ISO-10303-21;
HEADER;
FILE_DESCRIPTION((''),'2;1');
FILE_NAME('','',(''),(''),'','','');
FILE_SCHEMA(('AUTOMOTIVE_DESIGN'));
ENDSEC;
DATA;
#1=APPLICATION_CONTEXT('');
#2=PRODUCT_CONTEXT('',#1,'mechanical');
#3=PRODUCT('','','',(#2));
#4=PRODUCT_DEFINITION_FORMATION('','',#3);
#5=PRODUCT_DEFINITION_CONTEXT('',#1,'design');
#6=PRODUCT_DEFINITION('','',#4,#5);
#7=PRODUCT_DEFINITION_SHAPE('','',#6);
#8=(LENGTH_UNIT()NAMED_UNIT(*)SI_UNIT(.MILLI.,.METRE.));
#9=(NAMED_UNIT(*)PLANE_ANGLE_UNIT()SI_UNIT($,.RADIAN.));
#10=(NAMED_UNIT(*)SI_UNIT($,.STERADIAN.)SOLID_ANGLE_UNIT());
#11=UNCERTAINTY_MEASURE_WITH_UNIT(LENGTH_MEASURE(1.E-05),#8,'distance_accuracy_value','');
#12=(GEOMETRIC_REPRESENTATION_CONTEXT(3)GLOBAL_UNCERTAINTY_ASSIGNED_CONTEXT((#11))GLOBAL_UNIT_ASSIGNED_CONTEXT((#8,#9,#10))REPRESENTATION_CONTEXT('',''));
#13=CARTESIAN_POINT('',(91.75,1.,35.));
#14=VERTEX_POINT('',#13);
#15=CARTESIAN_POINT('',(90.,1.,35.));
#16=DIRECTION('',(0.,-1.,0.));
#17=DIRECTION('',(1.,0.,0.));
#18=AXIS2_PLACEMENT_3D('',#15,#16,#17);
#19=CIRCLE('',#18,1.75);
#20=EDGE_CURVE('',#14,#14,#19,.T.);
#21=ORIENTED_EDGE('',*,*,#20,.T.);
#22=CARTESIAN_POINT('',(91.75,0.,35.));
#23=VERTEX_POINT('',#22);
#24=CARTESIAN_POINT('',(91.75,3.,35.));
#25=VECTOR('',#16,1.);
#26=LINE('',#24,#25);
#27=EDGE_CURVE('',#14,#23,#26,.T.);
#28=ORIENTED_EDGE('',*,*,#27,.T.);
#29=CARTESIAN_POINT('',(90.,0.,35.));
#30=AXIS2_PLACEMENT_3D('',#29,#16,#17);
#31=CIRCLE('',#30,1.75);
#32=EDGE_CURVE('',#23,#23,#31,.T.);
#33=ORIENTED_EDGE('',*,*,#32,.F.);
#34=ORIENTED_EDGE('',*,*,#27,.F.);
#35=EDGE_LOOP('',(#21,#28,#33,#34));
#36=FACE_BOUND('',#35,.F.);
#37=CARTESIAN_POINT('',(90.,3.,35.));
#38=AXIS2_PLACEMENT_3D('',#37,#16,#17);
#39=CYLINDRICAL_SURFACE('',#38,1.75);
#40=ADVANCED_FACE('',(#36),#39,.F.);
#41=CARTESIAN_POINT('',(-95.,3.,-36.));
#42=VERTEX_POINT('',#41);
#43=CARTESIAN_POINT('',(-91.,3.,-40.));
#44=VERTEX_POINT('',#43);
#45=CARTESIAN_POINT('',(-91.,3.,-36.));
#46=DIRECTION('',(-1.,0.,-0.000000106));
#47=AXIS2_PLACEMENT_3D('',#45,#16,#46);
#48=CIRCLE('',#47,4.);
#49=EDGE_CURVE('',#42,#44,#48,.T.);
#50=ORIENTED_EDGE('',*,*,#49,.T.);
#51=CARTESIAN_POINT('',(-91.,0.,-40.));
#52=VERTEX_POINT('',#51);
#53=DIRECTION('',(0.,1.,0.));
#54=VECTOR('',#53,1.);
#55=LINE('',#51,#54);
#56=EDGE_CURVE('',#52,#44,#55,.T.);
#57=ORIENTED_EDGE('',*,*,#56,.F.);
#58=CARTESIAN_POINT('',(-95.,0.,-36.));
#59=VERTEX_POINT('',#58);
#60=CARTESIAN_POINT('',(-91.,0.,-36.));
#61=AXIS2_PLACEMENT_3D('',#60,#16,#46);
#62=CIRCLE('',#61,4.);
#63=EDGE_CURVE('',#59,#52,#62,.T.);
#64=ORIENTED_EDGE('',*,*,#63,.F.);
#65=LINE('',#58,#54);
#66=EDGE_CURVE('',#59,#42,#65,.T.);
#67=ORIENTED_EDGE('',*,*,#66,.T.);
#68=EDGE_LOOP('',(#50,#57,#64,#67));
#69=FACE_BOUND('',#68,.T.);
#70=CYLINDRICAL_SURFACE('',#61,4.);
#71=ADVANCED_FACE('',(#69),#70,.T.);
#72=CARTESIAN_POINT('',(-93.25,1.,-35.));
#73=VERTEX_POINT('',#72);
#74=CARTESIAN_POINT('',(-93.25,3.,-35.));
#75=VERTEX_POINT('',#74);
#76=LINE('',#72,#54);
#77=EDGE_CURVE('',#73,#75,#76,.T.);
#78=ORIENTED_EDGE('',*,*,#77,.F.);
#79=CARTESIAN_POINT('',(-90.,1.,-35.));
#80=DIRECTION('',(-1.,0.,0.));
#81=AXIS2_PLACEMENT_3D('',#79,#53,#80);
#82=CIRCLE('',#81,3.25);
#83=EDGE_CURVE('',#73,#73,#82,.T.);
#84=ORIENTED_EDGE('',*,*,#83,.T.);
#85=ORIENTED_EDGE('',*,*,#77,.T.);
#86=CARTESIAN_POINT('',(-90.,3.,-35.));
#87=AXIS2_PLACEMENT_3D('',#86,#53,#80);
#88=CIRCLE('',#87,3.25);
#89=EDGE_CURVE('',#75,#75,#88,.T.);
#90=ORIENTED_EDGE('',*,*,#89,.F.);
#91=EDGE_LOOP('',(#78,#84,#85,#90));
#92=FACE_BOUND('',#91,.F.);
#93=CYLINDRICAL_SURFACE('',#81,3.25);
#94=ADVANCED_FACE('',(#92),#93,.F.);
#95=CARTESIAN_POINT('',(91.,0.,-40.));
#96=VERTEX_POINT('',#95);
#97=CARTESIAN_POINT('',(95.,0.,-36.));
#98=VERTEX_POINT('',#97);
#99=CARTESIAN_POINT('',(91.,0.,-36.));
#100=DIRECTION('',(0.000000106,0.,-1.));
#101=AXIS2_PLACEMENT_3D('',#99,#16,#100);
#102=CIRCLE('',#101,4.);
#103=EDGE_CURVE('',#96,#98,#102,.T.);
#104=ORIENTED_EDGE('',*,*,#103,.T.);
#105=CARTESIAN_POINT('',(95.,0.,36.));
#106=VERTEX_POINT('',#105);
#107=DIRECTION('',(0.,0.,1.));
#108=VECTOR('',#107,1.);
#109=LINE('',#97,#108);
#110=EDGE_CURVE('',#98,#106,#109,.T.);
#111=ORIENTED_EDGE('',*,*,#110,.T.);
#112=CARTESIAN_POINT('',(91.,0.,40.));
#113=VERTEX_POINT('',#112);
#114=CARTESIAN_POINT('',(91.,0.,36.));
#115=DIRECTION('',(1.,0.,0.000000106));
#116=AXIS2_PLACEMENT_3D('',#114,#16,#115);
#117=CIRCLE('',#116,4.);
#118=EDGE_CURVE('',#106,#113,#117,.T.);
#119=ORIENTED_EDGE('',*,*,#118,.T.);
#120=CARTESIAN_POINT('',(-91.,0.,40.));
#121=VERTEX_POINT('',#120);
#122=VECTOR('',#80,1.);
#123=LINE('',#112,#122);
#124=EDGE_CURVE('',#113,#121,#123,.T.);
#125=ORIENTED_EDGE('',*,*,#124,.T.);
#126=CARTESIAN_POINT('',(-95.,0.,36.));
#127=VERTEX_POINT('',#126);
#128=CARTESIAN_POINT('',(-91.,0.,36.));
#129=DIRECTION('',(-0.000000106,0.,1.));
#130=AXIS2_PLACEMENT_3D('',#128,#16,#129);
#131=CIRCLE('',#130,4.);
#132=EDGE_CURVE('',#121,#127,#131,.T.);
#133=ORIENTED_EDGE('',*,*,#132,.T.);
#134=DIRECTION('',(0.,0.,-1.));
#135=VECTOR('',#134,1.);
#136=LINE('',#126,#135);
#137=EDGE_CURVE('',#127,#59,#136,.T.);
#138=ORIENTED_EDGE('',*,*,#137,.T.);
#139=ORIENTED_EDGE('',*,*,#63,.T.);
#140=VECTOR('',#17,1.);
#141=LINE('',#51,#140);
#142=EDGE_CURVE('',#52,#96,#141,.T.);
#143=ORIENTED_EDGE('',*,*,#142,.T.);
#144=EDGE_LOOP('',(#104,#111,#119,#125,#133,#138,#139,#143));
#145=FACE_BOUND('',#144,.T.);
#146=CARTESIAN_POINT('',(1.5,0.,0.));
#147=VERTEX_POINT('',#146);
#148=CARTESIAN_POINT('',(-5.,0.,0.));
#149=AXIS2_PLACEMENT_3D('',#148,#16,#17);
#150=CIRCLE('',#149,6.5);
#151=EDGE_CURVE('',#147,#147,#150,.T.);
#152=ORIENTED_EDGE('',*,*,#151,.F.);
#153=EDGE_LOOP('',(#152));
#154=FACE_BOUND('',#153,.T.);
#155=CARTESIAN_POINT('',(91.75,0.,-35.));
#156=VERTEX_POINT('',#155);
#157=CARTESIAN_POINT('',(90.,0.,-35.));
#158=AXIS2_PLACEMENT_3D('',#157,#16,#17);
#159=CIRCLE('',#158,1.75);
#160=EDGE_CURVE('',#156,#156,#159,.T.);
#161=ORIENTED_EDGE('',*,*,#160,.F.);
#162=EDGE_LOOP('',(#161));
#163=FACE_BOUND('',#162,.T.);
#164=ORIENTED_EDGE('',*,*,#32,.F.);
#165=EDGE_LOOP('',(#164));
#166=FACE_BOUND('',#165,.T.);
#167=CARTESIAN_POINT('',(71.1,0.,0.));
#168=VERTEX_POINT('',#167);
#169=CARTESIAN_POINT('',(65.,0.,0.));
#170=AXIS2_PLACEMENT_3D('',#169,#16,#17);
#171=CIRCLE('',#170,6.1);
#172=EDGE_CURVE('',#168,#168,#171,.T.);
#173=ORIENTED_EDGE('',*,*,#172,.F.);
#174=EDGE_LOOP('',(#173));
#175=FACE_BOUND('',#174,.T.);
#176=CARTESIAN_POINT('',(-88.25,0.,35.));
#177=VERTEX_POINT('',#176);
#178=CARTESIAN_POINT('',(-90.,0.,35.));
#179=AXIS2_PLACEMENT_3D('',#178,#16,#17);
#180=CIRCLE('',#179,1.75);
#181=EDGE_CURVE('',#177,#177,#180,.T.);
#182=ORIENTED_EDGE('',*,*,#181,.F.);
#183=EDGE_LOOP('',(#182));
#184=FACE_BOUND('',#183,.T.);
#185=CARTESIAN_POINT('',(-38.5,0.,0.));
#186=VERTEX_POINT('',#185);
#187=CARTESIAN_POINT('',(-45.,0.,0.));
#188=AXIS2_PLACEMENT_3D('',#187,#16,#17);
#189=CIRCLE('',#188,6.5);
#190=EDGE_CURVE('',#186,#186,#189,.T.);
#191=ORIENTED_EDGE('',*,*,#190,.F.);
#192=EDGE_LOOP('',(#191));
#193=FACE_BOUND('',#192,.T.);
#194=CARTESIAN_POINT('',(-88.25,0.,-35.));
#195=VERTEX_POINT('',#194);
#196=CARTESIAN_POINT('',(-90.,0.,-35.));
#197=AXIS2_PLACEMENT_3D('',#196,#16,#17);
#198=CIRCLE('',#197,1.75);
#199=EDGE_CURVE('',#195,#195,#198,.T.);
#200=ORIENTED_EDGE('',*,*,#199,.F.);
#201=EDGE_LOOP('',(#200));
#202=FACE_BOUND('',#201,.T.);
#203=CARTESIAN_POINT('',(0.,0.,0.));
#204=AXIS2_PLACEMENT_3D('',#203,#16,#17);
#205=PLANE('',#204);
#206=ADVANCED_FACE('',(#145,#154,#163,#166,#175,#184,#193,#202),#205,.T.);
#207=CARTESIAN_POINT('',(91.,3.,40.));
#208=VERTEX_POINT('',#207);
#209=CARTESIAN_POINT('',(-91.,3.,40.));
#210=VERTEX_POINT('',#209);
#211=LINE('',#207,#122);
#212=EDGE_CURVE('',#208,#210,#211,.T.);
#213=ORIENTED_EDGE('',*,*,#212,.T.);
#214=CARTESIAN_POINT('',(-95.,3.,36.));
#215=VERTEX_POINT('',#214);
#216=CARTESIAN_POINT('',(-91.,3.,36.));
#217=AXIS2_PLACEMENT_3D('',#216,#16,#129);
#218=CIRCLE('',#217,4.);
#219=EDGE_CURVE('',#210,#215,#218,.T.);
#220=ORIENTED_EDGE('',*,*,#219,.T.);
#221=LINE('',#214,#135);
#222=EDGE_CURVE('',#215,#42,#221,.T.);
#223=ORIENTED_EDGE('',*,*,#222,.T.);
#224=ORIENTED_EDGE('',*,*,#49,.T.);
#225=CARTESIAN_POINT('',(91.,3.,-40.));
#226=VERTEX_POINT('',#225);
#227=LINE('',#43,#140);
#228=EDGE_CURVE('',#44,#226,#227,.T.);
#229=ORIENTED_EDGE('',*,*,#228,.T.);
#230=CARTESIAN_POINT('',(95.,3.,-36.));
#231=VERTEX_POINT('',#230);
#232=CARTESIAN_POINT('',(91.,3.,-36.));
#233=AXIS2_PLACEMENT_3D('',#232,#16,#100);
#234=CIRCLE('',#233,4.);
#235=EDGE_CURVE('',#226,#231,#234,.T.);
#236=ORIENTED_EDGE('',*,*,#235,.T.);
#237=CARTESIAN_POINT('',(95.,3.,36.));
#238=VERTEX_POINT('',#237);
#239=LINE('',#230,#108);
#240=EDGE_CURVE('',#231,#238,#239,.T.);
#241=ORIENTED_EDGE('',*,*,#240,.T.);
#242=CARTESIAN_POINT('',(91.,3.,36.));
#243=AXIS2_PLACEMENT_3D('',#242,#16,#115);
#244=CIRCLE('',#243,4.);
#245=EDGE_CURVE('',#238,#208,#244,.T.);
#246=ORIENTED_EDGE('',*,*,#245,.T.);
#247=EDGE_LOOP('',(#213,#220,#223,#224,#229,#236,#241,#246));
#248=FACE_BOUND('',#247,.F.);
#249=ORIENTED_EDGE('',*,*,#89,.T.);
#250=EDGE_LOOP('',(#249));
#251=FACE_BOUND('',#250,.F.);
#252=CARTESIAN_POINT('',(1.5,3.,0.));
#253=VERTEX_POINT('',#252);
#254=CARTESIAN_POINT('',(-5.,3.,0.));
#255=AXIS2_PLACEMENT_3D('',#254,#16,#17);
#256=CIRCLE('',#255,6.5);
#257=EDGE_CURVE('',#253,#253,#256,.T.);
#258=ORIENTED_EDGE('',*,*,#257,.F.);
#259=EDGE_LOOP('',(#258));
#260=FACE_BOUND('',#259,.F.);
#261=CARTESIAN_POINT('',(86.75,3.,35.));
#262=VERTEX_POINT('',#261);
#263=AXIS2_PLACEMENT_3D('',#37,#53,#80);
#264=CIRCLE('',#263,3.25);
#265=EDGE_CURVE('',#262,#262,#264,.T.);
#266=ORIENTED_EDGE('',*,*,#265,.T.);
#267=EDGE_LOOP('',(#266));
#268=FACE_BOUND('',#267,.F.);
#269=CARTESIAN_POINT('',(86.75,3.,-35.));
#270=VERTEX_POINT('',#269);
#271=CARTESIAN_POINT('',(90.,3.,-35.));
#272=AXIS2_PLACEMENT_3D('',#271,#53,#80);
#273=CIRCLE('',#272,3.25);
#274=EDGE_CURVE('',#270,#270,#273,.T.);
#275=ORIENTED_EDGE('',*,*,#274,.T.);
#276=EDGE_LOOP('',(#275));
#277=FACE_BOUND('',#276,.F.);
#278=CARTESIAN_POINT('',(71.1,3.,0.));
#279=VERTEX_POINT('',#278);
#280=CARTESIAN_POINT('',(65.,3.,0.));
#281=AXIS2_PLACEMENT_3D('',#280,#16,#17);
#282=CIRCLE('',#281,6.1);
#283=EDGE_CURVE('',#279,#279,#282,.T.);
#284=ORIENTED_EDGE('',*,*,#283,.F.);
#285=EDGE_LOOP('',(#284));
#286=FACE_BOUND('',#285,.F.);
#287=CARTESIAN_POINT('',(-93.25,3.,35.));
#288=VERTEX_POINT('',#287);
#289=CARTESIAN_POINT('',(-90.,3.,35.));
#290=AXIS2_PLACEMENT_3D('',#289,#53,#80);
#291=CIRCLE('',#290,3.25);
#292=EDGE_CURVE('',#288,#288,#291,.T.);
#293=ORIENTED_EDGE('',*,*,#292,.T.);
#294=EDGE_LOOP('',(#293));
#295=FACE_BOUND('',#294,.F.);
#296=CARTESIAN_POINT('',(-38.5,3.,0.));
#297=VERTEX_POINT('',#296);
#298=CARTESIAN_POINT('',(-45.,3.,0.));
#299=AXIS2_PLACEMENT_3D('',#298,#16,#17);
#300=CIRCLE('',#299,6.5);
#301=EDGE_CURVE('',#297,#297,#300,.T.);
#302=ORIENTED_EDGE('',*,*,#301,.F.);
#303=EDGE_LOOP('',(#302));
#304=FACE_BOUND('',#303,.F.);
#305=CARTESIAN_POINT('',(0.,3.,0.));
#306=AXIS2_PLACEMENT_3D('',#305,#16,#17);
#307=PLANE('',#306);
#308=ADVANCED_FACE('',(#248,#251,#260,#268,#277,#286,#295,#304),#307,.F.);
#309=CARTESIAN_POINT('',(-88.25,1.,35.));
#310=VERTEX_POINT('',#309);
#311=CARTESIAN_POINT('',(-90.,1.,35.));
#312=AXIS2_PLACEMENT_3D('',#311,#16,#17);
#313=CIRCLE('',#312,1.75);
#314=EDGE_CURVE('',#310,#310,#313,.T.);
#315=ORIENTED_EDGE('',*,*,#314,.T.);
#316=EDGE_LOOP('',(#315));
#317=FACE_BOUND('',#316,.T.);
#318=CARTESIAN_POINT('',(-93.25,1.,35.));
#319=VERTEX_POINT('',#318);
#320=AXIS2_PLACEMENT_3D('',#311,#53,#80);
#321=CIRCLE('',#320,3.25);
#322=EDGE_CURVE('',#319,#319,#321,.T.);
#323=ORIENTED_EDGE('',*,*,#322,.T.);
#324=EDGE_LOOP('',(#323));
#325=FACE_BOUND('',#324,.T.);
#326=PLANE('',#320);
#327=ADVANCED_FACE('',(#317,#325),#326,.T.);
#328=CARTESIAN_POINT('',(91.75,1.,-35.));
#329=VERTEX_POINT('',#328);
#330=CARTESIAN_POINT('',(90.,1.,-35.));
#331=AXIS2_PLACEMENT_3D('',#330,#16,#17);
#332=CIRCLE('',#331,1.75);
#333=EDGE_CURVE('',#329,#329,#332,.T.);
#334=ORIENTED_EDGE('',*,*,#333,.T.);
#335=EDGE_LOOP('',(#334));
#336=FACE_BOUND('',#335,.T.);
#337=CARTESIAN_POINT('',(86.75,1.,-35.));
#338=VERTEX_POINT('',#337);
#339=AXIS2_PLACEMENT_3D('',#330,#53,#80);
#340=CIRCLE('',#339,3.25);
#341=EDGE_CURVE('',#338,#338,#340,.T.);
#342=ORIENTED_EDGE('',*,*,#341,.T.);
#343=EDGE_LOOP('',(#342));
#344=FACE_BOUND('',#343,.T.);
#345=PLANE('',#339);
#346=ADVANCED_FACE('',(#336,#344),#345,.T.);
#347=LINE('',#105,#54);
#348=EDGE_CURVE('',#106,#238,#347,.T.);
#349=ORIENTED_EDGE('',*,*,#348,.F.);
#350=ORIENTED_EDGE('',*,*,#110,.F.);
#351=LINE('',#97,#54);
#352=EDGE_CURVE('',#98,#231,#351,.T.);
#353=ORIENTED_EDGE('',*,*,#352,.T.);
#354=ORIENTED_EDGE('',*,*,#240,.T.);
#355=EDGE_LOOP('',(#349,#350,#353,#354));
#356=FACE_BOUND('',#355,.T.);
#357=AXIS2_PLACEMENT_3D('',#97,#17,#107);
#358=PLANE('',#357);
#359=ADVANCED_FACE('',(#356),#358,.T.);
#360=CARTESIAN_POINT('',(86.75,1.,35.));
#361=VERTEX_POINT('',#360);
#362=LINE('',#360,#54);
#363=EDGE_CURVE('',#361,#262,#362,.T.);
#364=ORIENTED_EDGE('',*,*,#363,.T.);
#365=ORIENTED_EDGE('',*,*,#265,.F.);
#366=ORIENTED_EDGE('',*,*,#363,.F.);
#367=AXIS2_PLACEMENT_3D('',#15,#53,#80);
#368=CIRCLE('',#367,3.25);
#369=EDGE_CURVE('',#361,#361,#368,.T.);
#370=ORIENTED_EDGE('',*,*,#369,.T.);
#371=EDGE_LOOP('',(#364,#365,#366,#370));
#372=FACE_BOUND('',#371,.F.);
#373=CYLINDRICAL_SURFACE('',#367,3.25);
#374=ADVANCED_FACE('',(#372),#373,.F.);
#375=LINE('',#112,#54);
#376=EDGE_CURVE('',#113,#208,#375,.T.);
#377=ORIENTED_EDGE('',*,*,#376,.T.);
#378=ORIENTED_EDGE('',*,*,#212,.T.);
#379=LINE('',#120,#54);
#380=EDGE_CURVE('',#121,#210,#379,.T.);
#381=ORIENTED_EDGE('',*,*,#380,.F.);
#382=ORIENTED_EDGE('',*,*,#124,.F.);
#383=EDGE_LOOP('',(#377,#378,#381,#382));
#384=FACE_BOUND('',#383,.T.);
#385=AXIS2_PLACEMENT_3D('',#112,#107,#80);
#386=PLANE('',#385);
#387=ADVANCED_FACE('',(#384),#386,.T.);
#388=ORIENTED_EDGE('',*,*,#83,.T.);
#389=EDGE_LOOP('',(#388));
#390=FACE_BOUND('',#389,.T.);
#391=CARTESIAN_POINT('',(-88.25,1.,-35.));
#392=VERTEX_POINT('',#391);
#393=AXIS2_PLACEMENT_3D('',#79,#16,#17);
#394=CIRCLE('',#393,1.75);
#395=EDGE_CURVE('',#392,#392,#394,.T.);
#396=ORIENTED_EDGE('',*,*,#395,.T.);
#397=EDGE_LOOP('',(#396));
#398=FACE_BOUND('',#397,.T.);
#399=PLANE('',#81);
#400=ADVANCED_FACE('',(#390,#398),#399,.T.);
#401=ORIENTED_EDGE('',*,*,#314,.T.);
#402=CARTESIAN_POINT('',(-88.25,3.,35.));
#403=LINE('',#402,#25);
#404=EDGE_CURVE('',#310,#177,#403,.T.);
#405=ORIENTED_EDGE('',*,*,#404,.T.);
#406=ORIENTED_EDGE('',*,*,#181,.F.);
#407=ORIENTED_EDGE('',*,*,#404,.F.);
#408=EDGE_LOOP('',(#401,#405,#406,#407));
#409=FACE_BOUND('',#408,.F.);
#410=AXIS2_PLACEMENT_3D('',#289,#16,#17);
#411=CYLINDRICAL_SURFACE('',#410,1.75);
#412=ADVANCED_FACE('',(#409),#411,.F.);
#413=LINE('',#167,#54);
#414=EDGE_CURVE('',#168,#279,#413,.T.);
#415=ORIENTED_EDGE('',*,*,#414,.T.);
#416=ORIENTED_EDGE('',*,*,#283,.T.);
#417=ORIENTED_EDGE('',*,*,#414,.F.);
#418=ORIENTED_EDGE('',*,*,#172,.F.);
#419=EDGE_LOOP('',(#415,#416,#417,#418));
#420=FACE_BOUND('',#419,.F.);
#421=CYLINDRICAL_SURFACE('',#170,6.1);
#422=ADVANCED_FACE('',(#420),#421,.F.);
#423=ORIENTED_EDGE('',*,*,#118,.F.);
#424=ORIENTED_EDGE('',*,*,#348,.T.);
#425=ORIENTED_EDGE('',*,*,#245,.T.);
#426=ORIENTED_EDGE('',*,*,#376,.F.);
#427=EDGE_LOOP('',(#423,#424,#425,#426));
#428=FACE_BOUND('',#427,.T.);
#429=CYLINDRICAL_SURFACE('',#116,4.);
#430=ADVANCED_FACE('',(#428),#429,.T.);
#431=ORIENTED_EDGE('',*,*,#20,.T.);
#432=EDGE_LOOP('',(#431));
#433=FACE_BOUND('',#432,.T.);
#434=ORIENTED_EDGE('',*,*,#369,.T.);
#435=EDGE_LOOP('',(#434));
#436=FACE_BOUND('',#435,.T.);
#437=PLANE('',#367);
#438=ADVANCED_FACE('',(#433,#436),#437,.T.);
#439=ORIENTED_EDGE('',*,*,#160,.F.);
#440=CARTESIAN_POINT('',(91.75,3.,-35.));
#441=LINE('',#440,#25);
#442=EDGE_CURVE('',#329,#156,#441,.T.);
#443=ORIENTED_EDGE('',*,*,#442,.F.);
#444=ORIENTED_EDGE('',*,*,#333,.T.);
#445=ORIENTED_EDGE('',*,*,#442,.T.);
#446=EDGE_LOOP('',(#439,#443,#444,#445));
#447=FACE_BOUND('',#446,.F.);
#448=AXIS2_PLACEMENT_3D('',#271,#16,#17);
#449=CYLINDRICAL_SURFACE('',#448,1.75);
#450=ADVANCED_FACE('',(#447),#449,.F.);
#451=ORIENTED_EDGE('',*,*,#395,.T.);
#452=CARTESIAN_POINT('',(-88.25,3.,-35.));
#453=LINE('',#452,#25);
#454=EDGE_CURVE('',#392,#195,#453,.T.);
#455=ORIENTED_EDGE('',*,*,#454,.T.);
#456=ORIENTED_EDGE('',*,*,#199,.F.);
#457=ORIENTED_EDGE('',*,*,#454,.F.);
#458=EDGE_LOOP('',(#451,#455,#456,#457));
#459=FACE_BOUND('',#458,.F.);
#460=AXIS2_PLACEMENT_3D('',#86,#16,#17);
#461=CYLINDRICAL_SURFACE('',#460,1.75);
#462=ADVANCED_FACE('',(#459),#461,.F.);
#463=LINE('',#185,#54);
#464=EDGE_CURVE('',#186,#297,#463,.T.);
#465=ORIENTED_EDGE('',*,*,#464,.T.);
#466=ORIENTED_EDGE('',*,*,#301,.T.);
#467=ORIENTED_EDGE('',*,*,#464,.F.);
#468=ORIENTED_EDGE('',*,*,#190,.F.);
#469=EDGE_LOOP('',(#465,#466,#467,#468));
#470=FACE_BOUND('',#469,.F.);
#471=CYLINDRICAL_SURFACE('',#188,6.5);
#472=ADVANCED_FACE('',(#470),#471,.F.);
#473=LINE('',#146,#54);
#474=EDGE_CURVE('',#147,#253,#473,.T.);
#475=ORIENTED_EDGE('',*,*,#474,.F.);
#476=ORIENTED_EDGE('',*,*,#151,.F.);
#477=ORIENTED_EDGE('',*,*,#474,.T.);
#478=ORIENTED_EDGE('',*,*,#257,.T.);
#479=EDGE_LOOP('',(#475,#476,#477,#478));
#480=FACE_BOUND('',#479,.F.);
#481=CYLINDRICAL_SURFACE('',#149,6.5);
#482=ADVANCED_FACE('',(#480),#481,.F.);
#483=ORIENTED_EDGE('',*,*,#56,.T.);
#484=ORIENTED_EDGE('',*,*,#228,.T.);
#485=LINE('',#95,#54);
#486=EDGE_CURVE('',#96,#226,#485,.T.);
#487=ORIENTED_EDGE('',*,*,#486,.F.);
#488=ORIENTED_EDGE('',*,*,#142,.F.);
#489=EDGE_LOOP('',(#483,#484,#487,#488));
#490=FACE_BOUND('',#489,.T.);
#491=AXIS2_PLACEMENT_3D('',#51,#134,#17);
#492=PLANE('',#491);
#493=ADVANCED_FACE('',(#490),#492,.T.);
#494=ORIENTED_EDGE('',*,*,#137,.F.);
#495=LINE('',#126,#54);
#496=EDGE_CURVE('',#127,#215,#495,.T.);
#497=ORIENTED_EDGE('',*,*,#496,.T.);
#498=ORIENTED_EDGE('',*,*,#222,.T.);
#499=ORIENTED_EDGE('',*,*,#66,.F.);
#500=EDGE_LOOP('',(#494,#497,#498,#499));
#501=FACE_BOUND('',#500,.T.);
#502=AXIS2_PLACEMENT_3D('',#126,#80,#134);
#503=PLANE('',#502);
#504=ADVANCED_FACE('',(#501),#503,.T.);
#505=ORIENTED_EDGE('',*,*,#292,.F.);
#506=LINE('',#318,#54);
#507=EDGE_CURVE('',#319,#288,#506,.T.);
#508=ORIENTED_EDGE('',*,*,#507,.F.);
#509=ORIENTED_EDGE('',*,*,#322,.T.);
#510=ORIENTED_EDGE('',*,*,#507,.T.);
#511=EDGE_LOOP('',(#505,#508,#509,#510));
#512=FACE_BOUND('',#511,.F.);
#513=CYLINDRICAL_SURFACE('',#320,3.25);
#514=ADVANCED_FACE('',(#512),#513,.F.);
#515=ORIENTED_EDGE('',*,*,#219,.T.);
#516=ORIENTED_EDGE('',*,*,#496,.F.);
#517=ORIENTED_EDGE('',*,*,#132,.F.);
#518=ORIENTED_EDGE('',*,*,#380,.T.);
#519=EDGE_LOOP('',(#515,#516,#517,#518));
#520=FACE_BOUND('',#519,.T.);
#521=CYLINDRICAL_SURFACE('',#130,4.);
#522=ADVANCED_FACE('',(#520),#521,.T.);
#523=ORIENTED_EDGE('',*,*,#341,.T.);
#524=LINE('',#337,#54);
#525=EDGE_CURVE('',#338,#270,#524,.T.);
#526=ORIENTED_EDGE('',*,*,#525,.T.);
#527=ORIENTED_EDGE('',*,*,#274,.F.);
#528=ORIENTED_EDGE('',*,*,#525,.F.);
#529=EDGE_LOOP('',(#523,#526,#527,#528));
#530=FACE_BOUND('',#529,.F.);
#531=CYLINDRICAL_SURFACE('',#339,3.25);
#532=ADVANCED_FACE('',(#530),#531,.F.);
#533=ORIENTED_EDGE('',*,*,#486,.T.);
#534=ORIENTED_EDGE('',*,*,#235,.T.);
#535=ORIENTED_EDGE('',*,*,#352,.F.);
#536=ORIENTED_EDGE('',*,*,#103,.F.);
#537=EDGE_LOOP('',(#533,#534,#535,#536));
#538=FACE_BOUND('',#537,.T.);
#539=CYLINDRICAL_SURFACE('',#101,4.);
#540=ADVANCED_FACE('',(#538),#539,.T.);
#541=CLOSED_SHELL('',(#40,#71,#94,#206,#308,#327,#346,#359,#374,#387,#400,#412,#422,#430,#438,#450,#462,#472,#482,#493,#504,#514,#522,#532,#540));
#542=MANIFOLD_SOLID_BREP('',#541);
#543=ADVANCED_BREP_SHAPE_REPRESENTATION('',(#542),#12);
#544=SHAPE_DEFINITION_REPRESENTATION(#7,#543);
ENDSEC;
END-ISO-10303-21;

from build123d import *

# Parameters (mm, degrees)
F0_R           = 6.5
F0_R_2         = 6.1
F1_DEPTH       = 3
F3_D           = 3.5
F3_CBORE_D     = 6.5
F3_CBORE_DEPTH = 2


with BuildPart() as f1:
    # F0 (on Front) → F1 (new body)
    with BuildSketch(Plane.XZ):
        with BuildLine():
            Line((-91, -40), (91, -40))
            ThreePointArc((91, -40), (93.828427, -38.828427), (95, -36))
            Line((95, -36), (95, 36))
            ThreePointArc((95, 36), (93.828427, 38.828427), (91, 40))
            Line((91, 40), (-91, 40))
            ThreePointArc((-91, 40), (-93.828427, 38.828427), (-95, 36))
            Line((-95, 36), (-95, -36))
            ThreePointArc((-95, -36), (-93.828427, -38.828427), (-91, -40))
        make_face()
        with Locations((-45, 0)):
            Circle(F0_R, mode=Mode.SUBTRACT)
        with Locations((-5, 0)):
            Circle(F0_R, mode=Mode.SUBTRACT)
        with Locations((65, 0)):
            Circle(F0_R_2, mode=Mode.SUBTRACT)
    extrude(amount=-F1_DEPTH)

    # F3 (through all)
    with Locations(Plane(origin=(0, 3, 0), x_dir=(-1, 0, 0), z_dir=(0, 1, 0))):
        with Locations((-90, 35), (90, 35), (90, -35), (-90, -35)):
            CounterBoreHole(F3_D / 2, F3_CBORE_D / 2, F3_CBORE_DEPTH)


solid = f1.part
